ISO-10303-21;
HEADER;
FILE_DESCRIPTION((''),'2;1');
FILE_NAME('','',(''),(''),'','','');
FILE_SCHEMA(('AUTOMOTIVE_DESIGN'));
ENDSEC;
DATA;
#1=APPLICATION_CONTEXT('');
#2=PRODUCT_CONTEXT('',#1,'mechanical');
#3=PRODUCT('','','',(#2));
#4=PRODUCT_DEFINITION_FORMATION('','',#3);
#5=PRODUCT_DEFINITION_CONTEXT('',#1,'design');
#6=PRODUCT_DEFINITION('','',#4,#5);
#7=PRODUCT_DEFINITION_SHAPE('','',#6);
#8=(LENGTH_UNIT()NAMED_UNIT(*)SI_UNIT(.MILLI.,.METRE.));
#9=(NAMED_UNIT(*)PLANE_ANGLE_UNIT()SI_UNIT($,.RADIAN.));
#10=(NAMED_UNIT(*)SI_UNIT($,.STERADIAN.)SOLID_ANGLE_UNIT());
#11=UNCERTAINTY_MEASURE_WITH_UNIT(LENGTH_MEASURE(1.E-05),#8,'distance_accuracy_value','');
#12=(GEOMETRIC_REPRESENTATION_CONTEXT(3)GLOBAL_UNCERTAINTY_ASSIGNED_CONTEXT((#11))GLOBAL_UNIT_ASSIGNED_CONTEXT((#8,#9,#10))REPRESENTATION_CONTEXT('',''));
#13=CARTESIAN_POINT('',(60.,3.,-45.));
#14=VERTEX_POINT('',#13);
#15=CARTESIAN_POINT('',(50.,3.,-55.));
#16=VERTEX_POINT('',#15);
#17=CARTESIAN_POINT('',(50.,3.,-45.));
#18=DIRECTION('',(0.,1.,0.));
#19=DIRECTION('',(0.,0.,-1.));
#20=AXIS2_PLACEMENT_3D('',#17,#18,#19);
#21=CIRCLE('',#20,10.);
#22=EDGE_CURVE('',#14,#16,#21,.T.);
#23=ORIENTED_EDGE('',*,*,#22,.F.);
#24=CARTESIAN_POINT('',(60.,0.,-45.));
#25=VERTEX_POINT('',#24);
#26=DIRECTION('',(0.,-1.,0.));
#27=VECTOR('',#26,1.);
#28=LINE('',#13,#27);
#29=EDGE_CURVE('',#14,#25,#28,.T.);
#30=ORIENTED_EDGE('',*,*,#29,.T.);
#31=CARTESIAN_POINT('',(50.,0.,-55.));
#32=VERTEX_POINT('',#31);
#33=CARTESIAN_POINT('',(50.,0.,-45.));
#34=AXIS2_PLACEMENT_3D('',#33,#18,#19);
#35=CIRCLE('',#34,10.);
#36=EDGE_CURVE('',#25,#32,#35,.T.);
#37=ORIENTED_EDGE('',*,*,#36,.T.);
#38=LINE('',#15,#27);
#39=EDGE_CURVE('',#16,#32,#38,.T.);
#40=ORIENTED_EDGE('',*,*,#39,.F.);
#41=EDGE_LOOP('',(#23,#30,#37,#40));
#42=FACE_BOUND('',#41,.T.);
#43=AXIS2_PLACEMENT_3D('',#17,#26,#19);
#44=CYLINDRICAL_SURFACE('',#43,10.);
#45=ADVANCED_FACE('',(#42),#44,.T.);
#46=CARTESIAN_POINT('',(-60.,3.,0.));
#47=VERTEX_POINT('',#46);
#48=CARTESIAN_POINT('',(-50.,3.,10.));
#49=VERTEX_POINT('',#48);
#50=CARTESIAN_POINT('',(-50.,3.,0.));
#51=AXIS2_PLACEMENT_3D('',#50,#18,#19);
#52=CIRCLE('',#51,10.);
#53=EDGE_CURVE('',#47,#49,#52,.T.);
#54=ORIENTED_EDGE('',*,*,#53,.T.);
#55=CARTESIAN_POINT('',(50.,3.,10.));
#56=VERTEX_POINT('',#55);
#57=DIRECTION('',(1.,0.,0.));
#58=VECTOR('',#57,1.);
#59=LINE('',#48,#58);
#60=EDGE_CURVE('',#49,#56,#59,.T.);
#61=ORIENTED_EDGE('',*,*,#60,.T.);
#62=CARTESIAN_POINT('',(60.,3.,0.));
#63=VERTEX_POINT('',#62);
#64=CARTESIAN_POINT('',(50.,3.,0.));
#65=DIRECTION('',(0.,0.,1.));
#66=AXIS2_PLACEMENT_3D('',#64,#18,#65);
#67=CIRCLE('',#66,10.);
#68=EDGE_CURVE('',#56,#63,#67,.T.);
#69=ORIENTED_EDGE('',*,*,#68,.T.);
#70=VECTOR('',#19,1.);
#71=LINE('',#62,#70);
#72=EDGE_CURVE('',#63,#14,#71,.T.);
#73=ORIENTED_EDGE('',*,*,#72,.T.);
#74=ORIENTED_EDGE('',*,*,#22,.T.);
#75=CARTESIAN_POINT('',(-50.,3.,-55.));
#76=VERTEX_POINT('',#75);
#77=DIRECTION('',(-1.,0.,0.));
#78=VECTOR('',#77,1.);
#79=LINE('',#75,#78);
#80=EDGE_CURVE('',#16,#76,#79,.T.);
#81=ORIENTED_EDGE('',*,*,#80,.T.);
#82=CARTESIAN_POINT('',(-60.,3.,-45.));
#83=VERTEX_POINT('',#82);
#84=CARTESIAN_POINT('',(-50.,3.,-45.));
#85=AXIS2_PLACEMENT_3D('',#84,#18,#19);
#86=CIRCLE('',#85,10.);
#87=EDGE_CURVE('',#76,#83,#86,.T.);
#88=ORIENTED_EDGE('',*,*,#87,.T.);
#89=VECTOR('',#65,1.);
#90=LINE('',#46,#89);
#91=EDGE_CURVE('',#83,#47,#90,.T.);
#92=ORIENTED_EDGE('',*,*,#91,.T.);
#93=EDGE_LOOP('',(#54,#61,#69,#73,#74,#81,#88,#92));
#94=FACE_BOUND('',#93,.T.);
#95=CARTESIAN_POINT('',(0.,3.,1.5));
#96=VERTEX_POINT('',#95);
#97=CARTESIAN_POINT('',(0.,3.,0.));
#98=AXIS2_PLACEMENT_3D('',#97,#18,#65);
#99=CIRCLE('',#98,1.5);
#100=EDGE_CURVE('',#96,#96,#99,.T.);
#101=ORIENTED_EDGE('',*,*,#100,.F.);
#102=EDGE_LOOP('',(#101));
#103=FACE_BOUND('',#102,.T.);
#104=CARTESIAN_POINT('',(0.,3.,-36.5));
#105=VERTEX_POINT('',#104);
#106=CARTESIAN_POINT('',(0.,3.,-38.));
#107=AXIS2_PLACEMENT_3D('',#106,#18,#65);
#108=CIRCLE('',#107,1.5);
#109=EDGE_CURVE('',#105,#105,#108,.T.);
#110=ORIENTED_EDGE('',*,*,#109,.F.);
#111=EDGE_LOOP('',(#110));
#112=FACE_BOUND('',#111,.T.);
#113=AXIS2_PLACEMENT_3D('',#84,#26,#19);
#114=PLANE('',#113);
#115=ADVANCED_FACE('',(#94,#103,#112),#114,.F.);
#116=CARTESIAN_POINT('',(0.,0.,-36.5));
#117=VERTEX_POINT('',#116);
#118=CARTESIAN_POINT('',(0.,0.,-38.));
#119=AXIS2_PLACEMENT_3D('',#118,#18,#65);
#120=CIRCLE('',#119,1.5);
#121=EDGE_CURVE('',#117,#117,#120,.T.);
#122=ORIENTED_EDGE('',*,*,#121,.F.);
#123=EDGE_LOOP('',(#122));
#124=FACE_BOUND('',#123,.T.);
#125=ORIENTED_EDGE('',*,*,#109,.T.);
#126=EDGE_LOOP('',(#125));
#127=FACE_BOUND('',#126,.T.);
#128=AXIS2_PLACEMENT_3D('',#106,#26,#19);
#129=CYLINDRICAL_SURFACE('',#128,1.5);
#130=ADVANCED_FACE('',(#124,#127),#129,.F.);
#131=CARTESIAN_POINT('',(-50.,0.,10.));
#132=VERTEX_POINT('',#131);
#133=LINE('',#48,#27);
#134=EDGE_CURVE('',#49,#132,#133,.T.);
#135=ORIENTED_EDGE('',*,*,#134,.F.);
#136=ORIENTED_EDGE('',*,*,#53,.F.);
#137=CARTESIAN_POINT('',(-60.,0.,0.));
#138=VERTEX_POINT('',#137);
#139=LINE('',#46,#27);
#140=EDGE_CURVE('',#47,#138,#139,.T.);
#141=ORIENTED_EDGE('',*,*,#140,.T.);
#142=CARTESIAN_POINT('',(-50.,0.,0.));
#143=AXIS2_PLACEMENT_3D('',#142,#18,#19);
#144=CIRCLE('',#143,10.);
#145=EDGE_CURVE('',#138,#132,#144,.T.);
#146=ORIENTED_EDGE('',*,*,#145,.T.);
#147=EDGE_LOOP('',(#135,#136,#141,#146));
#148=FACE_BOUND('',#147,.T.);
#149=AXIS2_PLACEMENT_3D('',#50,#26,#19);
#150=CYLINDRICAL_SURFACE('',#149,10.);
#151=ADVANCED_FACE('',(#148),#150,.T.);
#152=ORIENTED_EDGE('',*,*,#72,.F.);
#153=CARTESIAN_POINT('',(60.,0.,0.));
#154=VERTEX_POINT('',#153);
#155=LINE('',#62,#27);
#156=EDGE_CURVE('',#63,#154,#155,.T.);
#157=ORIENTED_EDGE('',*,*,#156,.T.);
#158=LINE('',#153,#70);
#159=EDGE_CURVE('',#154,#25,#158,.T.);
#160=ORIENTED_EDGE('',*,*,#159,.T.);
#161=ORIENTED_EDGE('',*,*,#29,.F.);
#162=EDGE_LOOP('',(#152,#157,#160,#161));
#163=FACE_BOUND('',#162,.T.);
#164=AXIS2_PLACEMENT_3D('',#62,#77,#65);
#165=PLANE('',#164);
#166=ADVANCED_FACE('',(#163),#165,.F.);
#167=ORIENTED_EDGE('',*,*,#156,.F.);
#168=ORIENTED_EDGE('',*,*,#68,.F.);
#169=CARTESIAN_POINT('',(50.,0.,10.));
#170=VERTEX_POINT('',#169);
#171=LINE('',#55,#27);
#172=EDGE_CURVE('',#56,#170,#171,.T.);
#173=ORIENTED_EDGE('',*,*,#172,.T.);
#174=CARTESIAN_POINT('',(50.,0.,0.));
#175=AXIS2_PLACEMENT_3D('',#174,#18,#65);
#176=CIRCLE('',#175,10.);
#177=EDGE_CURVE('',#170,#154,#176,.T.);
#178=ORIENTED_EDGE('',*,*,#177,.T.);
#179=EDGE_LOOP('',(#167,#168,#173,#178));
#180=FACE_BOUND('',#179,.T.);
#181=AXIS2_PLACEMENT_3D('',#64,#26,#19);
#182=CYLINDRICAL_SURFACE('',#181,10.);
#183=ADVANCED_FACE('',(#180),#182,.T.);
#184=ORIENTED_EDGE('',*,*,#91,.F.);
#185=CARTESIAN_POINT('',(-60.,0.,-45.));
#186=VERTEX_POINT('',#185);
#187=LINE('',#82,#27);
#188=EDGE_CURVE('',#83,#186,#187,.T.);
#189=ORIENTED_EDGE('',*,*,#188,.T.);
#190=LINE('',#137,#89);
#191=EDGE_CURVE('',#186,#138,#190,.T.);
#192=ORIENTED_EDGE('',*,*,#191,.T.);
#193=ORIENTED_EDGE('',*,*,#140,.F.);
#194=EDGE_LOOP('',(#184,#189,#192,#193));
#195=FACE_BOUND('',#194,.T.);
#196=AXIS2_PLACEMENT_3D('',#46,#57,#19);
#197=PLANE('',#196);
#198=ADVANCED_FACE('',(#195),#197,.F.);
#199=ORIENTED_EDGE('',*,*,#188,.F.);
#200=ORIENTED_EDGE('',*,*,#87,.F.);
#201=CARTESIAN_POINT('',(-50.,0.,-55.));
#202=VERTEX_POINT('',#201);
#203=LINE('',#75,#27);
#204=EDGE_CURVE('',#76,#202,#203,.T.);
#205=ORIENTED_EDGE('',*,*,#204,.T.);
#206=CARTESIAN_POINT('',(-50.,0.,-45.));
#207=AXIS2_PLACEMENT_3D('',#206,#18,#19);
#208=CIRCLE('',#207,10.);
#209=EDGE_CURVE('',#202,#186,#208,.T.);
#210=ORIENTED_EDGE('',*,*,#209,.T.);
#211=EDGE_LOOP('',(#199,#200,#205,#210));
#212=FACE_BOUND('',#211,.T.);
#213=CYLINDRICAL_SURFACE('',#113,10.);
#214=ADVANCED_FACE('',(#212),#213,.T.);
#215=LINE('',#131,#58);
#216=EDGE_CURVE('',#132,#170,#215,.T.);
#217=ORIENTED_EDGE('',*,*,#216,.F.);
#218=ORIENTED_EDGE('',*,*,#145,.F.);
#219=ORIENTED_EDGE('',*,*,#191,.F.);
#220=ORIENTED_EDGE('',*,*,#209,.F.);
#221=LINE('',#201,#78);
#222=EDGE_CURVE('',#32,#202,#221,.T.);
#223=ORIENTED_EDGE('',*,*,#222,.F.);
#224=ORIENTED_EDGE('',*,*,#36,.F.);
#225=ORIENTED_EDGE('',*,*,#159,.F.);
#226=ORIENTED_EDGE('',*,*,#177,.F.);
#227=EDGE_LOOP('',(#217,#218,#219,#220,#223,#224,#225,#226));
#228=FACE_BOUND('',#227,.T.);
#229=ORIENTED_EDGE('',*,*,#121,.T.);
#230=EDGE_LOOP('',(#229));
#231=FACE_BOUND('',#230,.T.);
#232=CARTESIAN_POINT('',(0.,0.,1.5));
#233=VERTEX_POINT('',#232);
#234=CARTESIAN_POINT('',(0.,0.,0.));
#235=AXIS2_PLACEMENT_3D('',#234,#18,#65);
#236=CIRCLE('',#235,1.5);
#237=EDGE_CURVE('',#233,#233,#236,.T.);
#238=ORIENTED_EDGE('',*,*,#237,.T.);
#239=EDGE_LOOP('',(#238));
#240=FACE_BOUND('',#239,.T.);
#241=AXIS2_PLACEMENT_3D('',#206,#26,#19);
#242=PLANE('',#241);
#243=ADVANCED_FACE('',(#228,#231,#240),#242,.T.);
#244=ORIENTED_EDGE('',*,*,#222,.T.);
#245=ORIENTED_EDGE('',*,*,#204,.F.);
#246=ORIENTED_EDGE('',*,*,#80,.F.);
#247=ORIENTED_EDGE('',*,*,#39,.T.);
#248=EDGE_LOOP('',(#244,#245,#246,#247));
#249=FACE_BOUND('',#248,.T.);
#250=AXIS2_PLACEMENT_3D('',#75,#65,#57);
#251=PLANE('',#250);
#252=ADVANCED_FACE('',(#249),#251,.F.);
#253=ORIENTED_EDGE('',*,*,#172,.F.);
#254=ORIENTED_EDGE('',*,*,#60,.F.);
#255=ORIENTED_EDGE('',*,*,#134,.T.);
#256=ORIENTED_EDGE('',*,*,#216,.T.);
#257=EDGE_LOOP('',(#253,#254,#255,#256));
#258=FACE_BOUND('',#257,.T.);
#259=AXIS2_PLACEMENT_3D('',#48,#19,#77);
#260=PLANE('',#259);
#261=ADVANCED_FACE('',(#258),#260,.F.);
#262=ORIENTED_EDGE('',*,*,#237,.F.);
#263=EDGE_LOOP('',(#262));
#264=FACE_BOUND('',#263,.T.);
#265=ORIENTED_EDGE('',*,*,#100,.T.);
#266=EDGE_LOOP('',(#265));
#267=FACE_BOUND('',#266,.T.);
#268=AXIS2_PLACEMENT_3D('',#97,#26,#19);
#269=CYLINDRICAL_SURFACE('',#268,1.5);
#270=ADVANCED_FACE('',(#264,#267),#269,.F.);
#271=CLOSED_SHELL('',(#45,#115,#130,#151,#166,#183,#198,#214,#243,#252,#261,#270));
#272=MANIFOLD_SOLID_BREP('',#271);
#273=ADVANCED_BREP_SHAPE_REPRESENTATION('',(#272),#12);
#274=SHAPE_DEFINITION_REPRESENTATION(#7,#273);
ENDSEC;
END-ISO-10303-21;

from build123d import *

# Parameters (mm, degrees)
SKETCH1_R           = 1.5
BOSS_EXTRUDE1_DEPTH = 3


with BuildPart() as part:
    # Sketch1 → Boss-Extrude1 (new body)
    with BuildSketch(Plane(origin=(0, 0, 0), x_dir=(1, 0, 0), z_dir=(0, 1, 0))):
        with BuildLine():
            Line((-50, -10), (50, -10))
            ThreePointArc((50, -10), (57.071067812, -7.071067812), (60, 0))
            Line((60, 0), (60, 45))
            ThreePointArc((60, 45), (57.071067812, 52.071067812), (50, 55))
            Line((50, 55), (-50, 55))
            ThreePointArc((-50, 55), (-57.071067812, 52.071067812), (-60, 45))
            Line((-60, 45), (-60, 0))
            ThreePointArc((-60, 0), (-57.071067812, -7.071067812), (-50, -10))
        make_face()
        Circle(SKETCH1_R, mode=Mode.SUBTRACT)
        with Locations((0, 38)):
            Circle(SKETCH1_R, mode=Mode.SUBTRACT)
    extrude(amount=BOSS_EXTRUDE1_DEPTH)


solid = part.part
